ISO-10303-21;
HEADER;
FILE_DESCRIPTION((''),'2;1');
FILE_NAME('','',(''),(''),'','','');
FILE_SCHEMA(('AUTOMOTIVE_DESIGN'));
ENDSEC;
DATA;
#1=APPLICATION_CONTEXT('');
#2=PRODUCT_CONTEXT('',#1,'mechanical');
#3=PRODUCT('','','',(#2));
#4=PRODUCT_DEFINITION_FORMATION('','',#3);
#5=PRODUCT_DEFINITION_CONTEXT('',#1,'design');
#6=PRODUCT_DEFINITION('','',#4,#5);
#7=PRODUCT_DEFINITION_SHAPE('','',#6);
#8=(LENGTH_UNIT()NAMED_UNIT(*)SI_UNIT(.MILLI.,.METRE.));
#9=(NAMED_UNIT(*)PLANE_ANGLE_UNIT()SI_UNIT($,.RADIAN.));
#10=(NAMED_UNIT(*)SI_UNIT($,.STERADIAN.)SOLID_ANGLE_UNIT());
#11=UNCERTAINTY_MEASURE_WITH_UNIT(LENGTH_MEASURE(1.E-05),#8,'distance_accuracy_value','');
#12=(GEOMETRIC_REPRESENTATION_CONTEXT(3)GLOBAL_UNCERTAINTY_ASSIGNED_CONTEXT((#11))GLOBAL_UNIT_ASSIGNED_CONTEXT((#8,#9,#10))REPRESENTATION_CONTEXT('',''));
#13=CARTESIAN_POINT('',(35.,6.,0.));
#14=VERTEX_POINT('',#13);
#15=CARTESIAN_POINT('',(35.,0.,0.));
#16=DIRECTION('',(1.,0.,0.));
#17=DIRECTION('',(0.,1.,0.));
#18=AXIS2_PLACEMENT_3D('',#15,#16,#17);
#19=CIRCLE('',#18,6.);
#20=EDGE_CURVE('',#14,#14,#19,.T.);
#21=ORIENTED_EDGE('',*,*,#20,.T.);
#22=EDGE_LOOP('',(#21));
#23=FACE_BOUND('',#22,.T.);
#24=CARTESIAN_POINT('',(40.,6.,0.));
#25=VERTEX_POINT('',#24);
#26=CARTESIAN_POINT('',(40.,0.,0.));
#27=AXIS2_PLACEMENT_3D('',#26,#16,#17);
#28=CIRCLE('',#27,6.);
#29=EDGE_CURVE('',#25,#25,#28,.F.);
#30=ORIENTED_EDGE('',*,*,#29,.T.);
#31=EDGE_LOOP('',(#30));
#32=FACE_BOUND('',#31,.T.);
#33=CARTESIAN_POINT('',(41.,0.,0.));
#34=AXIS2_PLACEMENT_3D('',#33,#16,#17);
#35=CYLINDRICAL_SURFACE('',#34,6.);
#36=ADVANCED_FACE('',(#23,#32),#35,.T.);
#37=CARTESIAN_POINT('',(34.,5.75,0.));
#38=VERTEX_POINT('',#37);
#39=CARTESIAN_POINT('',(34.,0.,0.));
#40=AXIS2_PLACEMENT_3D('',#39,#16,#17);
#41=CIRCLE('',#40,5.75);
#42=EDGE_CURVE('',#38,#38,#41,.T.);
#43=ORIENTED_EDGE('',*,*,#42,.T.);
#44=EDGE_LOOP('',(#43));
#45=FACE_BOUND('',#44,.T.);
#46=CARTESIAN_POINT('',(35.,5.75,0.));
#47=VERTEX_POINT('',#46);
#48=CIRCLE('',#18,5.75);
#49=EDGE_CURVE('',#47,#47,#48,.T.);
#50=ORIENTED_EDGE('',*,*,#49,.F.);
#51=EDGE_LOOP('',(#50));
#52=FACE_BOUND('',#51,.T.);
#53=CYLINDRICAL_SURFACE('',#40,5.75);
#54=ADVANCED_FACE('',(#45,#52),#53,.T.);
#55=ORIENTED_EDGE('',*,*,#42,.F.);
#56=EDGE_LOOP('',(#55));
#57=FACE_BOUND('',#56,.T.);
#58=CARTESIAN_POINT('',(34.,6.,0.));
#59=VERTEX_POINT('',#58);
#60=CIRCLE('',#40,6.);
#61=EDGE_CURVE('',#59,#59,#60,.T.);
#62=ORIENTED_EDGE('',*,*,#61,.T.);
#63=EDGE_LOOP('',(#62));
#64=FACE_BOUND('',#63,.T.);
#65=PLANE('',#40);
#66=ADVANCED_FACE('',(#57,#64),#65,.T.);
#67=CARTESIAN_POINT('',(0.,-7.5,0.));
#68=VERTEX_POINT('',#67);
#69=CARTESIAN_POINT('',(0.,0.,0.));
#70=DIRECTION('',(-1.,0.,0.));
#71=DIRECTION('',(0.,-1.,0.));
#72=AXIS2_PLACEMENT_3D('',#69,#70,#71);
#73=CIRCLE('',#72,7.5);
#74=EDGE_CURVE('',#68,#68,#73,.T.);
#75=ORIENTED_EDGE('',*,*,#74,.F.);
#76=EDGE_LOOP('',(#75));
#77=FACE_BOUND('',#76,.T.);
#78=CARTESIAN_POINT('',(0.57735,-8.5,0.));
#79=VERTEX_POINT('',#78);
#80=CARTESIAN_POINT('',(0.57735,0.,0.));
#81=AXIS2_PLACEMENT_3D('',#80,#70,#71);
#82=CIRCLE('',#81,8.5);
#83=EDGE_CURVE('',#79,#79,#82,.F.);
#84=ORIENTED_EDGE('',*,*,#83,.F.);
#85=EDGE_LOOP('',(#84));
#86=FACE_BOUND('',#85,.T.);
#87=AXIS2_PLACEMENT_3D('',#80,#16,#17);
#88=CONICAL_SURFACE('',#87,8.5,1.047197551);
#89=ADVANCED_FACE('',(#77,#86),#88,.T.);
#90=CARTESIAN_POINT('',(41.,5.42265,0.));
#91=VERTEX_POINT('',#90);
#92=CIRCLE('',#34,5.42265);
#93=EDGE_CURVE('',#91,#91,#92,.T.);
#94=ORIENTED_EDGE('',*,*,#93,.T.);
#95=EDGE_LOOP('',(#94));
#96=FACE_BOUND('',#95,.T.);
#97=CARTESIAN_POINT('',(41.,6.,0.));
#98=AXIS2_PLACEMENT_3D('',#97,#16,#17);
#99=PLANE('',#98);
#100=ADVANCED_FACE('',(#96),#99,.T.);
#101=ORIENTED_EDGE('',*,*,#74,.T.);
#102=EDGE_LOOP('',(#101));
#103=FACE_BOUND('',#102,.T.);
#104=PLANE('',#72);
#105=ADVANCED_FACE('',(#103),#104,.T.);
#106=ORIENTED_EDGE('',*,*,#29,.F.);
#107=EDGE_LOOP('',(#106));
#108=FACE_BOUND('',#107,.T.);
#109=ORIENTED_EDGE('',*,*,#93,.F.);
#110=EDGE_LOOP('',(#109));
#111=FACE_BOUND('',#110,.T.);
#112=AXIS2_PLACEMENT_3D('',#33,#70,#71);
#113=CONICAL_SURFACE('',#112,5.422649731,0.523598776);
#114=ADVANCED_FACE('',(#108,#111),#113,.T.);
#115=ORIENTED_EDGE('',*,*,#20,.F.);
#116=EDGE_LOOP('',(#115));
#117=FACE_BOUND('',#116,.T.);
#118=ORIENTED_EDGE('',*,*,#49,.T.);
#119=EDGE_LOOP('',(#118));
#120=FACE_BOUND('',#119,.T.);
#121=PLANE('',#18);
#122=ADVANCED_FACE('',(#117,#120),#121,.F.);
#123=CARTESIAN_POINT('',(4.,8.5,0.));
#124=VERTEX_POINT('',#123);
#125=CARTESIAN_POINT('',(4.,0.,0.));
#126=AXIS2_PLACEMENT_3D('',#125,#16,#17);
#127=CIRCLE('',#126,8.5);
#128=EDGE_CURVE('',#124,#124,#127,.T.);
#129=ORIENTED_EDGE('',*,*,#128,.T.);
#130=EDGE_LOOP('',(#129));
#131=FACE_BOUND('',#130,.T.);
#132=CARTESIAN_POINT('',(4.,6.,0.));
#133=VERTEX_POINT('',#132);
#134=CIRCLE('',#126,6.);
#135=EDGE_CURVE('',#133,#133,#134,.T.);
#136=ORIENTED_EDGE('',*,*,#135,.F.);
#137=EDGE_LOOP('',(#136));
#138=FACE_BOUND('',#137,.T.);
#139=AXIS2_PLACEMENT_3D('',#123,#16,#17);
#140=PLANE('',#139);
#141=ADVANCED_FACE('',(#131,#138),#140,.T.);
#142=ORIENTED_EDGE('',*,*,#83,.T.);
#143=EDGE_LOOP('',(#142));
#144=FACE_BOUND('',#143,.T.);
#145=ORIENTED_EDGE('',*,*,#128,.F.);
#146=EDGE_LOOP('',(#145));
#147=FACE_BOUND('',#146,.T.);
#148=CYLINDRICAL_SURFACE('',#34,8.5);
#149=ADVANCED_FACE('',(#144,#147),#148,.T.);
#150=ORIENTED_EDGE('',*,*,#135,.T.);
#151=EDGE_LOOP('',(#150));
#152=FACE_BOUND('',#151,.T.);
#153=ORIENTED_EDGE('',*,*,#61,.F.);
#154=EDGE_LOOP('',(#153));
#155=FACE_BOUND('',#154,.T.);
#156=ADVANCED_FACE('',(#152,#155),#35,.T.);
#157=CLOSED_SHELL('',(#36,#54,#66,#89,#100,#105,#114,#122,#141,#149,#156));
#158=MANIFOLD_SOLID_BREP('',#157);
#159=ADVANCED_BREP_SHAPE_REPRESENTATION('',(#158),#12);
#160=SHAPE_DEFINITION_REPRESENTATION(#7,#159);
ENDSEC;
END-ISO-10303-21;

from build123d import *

# Parameters (mm, degrees)
SFAZOWANIE1_SIZE           = 1
SFAZOWANIE1_SIZE2          = 0.577350269
SFAZOWANIE1_PART_2_SIZE    = 1
SFAZOWANIE1_PART_2_SIZE2   = 0.577350269
WYTNIJ_WYCI_GNI_CIE1_START = -6
SZKIC2_R                   = 6
SZKIC2_R_2                 = 5.75
WYTNIJ_WYCI_GNI_CIE1_DEPTH = 1


with BuildPart() as part:
    # Szkic1 → Obrót1 (revolve)
    with BuildSketch(Plane.XY):
        Polygon((0, 0), (0, 8.5), (4, 8.5), (4, 6), (41, 6), (41, 0), align=None)
    revolve(axis=Axis((41, 0, 0), (-1, 0, 0)))

    # Sfazowanie1
    sfazowanie1_edges = [part.edges().sort_by_distance(p)[0] for p in [
        (41, -6, 0),
    ]]
    sfazowanie1_side = [part.faces().sort_by_distance(p)[0] for p in [
        (22.5, -6, 0),
    ]]
    chamfer(sfazowanie1_edges, length=SFAZOWANIE1_SIZE, length2=SFAZOWANIE1_SIZE2, reference=sfazowanie1_side[0])

    # Sfazowanie1 part 2
    sfazowanie1_part_2_edges = [part.edges().sort_by_distance(p)[0] for p in [
        (0, -8.5, 0),
    ]]
    sfazowanie1_part_2_side = [part.faces().sort_by_distance(p)[0] for p in [
        (0, 0, 0),
    ]]
    chamfer(sfazowanie1_part_2_edges, length=SFAZOWANIE1_PART_2_SIZE, length2=SFAZOWANIE1_PART_2_SIZE2, reference=sfazowanie1_part_2_side[0])

    # Szkic2 → Wytnij-wyciągnięcie1 (cut)
    with BuildSketch(Plane(origin=(41, 0, 0), x_dir=(0, 0, -1), z_dir=(1, 0, 0)).offset(WYTNIJ_WYCI_GNI_CIE1_START)):
        Circle(SZKIC2_R)
        Circle(SZKIC2_R_2, mode=Mode.SUBTRACT)
    extrude(amount=-WYTNIJ_WYCI_GNI_CIE1_DEPTH, mode=Mode.SUBTRACT)


solid = part.part
